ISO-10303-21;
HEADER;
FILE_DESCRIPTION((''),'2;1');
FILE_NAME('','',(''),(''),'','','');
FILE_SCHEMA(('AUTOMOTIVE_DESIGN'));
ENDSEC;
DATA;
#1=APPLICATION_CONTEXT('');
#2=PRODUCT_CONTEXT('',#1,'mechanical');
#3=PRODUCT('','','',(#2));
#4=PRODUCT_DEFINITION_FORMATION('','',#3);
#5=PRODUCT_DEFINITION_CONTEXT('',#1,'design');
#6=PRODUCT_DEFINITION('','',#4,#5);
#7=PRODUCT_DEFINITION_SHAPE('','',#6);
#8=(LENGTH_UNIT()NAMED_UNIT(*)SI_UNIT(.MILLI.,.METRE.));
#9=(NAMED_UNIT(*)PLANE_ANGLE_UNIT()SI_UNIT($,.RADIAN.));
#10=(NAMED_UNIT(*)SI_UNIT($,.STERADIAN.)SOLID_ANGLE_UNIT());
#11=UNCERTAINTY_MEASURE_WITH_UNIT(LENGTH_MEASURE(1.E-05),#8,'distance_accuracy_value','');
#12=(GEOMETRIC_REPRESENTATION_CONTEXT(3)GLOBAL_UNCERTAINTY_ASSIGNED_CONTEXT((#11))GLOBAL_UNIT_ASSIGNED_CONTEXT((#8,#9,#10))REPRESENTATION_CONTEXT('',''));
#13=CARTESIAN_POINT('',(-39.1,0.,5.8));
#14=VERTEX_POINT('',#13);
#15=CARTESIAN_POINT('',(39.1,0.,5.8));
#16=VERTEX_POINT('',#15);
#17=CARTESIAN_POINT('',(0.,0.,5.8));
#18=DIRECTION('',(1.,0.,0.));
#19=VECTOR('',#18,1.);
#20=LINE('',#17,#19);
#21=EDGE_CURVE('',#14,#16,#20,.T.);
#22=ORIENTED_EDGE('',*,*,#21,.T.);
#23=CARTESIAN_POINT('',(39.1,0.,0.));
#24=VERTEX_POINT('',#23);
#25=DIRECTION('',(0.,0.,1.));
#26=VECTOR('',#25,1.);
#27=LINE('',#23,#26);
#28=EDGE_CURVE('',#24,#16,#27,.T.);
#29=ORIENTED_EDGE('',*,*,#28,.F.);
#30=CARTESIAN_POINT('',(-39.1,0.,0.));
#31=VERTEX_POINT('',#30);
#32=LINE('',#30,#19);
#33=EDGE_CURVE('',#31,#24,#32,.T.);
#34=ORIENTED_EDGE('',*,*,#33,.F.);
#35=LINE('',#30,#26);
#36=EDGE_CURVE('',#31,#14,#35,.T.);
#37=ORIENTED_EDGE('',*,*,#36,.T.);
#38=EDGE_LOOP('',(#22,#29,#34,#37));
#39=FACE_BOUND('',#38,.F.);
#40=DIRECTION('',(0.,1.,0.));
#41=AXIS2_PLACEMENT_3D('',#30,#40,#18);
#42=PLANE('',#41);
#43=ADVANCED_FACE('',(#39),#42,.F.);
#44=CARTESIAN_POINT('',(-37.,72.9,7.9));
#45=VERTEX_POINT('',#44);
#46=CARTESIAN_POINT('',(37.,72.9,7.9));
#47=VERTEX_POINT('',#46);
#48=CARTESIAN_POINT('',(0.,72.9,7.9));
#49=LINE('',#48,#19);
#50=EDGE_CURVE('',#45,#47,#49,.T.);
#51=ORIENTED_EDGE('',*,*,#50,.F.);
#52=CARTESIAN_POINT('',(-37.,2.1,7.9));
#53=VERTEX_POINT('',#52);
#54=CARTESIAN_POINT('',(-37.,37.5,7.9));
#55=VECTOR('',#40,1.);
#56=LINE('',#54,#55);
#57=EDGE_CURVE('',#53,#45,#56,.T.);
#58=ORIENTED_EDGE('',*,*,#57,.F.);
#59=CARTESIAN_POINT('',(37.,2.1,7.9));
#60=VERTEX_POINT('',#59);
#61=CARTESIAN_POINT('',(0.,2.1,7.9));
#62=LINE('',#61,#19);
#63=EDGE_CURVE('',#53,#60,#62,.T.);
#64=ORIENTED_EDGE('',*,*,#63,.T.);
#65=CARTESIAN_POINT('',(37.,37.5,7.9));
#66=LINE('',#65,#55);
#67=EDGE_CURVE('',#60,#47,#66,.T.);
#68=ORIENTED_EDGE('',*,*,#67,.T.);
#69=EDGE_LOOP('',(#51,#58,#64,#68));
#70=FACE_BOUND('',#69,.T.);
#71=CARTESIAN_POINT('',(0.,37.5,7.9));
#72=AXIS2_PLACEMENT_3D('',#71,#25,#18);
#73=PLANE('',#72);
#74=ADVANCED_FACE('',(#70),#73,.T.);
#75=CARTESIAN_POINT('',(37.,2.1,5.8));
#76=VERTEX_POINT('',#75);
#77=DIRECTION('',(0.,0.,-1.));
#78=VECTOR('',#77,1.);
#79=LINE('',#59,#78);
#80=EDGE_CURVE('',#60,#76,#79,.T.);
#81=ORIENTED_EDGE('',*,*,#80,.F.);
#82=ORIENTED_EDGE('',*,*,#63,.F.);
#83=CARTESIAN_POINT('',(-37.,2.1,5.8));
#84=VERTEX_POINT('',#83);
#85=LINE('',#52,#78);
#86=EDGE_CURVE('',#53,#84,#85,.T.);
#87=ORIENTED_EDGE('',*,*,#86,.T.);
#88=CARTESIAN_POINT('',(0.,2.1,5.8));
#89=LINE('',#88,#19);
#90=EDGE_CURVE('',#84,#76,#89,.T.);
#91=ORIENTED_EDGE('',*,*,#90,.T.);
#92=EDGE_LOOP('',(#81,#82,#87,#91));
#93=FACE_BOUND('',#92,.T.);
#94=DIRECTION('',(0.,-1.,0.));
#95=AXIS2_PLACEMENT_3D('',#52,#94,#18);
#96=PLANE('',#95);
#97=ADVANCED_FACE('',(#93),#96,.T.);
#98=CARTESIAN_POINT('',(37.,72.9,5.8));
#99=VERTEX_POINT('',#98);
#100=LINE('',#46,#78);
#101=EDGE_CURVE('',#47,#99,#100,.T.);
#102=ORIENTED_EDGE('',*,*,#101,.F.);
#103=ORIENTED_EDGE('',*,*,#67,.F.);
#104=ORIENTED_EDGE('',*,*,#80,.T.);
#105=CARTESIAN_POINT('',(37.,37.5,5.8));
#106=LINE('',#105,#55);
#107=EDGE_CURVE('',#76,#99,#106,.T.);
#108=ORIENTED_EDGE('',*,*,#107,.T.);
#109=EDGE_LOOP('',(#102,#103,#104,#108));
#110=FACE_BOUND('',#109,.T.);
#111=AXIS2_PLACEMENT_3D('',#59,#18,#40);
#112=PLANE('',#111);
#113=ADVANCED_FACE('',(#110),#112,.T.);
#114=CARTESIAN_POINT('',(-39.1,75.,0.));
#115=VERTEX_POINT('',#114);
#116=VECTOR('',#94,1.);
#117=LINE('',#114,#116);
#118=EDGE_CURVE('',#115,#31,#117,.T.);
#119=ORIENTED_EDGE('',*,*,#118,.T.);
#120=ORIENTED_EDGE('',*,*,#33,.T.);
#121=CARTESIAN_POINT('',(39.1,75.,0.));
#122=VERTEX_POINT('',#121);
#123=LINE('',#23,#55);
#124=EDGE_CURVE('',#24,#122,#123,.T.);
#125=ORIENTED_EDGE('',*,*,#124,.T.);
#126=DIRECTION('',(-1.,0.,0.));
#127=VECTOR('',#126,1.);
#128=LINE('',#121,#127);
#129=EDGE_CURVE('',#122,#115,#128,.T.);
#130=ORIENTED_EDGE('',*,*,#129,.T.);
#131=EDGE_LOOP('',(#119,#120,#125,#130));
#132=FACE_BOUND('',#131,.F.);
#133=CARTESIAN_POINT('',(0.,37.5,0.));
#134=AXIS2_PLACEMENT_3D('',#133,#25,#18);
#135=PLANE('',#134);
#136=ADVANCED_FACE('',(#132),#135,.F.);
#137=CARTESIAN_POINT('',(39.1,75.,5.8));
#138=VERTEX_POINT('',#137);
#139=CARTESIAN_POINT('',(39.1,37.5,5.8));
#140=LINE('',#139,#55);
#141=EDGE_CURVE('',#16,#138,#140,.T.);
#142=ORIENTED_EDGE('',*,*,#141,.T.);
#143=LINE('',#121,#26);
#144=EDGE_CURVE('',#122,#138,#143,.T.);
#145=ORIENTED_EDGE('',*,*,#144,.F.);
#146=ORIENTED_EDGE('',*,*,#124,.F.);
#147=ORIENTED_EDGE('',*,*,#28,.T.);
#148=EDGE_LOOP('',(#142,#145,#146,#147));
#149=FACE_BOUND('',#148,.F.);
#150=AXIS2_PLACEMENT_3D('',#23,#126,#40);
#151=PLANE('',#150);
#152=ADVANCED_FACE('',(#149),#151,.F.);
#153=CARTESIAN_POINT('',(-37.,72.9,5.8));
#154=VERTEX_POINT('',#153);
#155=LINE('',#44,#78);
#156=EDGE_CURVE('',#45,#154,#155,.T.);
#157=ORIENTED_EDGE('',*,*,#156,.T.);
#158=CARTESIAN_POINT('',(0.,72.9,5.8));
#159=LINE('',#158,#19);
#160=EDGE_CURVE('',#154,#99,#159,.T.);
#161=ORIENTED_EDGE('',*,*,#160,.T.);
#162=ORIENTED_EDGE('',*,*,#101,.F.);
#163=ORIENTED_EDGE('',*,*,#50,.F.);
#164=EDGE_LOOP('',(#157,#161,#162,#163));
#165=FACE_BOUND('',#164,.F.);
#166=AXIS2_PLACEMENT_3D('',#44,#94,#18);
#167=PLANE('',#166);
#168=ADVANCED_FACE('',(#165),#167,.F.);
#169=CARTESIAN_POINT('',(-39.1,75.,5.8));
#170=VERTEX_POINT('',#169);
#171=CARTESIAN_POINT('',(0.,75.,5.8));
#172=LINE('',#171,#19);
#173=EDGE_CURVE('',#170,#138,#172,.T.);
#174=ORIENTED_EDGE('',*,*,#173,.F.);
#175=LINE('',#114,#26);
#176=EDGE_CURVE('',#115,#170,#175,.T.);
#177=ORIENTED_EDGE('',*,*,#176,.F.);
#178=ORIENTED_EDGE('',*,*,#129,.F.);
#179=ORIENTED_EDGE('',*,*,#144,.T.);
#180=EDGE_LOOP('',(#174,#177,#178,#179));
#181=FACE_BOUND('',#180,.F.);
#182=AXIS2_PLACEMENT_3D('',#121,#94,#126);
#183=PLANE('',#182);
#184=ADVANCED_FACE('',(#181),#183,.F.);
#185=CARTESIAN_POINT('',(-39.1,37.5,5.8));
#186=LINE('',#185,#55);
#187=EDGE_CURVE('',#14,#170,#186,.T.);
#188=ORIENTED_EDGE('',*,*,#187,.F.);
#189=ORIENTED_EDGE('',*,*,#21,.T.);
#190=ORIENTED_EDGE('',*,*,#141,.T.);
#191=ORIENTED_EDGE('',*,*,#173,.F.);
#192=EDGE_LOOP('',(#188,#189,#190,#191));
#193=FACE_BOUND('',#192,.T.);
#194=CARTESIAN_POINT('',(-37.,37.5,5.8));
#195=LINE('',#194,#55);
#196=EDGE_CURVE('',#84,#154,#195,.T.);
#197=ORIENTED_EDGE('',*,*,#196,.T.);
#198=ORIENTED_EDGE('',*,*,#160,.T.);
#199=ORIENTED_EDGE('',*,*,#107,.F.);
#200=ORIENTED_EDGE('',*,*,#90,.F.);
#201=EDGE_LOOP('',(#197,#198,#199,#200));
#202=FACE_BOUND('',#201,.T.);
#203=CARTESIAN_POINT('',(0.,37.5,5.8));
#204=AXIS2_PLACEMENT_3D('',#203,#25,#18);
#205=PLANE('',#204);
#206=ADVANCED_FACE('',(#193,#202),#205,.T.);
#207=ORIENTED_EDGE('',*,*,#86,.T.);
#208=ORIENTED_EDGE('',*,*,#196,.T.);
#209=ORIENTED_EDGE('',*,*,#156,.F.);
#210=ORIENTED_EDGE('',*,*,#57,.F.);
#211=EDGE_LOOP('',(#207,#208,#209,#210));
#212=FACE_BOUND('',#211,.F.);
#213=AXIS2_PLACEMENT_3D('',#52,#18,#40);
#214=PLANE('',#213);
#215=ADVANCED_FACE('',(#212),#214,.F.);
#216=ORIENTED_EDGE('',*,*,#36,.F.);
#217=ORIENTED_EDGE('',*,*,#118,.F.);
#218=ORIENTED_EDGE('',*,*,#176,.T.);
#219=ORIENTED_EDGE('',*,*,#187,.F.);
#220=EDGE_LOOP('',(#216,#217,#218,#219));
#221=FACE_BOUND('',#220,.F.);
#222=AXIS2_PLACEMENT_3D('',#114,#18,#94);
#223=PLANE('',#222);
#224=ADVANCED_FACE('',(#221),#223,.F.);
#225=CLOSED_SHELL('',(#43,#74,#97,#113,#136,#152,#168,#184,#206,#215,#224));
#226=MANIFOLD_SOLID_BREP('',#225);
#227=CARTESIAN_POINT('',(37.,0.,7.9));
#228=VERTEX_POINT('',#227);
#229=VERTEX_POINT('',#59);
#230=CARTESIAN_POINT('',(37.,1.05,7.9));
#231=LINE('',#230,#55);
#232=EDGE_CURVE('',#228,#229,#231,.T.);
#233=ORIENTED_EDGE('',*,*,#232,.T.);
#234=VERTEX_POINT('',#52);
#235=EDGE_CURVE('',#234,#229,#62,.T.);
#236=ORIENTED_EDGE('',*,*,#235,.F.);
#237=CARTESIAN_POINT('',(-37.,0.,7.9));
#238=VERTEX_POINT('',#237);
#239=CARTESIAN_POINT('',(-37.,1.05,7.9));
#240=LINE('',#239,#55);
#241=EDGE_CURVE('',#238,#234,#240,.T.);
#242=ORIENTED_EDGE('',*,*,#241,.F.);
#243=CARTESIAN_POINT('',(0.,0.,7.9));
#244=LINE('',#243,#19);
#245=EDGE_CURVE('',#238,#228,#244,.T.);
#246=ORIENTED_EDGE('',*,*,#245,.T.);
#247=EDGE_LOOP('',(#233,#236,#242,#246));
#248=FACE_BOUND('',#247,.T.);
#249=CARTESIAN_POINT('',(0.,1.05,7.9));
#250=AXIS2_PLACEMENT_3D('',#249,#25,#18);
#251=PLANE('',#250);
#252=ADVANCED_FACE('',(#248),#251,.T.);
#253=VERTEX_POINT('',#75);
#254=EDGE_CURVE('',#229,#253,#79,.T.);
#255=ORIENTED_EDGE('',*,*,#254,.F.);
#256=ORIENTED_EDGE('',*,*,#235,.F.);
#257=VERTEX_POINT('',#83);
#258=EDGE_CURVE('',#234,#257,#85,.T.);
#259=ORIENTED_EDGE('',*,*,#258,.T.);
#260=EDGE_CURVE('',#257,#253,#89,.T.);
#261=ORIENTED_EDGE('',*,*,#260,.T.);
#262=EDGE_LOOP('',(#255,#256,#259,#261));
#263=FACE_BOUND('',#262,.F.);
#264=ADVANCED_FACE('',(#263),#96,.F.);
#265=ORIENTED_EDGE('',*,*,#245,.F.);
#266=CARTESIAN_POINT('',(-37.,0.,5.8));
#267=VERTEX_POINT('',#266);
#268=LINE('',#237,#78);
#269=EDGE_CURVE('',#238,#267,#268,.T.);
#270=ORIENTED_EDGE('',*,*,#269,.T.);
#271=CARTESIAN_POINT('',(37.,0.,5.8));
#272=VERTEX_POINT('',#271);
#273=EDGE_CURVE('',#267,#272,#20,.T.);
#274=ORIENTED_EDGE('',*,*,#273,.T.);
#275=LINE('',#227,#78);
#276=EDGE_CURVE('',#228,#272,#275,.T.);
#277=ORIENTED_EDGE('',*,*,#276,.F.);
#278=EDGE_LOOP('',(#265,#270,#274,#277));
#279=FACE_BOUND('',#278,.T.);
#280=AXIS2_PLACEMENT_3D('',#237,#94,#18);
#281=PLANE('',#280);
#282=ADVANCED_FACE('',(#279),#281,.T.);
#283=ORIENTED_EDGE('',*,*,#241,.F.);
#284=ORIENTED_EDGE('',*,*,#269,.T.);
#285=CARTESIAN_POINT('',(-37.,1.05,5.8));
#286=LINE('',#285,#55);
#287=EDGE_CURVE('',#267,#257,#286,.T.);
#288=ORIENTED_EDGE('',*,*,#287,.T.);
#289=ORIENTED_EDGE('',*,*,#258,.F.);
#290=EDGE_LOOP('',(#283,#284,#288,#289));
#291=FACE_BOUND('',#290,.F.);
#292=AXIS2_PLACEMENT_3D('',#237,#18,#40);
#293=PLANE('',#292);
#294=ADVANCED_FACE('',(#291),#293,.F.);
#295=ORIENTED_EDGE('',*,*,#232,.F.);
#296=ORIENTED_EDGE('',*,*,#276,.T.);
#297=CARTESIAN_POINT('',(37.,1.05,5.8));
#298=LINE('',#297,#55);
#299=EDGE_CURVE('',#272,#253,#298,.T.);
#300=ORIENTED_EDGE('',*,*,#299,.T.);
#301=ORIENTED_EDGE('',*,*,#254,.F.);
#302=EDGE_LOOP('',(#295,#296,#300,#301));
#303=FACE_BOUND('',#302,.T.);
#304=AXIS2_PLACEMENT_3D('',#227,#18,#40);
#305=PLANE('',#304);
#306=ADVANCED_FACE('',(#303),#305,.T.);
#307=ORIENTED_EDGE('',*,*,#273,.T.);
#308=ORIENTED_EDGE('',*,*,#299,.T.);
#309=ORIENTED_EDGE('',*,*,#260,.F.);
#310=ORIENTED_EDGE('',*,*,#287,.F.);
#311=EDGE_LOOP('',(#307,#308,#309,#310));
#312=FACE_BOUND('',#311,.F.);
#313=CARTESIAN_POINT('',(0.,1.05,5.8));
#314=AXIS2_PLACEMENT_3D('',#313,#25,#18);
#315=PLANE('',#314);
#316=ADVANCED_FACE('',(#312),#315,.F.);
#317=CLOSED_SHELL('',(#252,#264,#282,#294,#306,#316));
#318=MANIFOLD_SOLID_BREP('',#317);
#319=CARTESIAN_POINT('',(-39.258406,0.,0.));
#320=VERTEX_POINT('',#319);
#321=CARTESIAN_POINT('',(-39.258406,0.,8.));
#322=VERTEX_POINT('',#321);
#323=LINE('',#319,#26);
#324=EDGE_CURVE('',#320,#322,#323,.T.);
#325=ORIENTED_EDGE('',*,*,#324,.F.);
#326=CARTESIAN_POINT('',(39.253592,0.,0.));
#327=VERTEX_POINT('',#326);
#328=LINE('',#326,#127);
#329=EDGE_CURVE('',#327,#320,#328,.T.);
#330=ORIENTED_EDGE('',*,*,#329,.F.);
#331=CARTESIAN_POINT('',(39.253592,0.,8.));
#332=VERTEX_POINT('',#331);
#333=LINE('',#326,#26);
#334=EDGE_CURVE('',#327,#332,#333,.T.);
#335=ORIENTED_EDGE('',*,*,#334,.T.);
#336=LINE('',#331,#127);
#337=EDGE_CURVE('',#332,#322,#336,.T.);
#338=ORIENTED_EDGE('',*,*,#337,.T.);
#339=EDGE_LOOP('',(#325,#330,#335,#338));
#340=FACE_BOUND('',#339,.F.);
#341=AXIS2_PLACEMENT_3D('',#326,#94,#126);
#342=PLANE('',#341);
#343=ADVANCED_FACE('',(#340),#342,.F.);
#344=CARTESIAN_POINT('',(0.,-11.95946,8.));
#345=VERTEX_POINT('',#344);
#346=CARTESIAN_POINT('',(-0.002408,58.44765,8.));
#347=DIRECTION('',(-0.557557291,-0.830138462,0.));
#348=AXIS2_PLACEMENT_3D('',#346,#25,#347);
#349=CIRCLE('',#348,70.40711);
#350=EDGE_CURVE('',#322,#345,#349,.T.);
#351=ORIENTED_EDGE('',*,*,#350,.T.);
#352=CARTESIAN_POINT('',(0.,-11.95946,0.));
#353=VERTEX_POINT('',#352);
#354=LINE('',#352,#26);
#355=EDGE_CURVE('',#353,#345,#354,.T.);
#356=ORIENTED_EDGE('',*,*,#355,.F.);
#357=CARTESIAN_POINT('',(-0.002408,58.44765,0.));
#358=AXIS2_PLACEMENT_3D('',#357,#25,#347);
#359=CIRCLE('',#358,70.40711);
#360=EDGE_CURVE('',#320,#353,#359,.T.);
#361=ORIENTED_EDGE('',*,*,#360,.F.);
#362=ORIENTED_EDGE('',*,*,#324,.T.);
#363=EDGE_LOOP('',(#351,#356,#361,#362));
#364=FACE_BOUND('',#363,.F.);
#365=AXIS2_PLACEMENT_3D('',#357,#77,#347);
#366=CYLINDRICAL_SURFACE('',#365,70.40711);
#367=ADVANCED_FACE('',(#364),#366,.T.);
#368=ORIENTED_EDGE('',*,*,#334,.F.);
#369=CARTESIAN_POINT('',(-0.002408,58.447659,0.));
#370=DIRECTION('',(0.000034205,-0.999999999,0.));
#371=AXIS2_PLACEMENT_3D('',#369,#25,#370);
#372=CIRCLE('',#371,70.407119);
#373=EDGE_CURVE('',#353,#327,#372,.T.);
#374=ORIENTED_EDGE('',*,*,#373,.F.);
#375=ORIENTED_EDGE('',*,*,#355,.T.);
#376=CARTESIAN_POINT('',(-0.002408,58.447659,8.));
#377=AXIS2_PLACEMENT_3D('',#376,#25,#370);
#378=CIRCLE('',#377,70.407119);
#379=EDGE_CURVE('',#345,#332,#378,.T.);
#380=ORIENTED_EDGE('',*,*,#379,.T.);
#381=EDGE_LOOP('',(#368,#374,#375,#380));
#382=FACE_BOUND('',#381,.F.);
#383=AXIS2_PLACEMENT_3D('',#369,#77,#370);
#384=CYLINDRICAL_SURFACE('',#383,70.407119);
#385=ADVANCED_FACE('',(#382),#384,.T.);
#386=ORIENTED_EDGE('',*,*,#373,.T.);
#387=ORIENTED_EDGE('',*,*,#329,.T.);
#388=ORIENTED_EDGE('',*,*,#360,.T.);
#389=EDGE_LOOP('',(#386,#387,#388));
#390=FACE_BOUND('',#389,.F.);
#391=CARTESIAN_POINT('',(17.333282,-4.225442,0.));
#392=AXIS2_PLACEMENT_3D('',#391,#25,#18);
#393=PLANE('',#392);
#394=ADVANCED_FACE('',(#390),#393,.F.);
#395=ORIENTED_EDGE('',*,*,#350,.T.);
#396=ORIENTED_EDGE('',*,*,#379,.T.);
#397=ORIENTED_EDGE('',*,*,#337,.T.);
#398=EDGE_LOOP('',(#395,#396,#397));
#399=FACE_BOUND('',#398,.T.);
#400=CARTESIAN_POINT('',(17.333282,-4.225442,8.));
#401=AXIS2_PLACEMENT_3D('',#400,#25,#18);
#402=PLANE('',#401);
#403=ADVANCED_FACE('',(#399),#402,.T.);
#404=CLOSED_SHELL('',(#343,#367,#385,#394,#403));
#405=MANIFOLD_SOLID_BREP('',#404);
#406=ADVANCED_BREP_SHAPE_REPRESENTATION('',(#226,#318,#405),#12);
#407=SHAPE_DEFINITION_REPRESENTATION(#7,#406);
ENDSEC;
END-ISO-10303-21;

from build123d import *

# Parameters (mm, degrees)
F1_DEPTH = 7.9
F2_W     = 78.2
F2_H     = 75
F2_W_2   = 74
F2_H_2   = 70.8
F3_DEPTH = 2.1
F4_W     = 74
F4_H     = 2.1
F5_DEPTH = 2.1
F7_DEPTH = 8


with BuildPart() as f1:
    # F0 (on Top) → F1 (new body)
    with BuildSketch(Plane.XY):
        Polygon((-39.1, 0), (0, 0), (39.1, 0), (39.1, 75), (0, 75), (-39.1, 75), align=None)
    extrude(amount=F1_DEPTH)

    # F2 (on face) → F3 (cut)
    with BuildSketch(Plane.XY.offset(7.9)):
        with Locations((0, 37.5)):
            Rectangle(F2_W, F2_H)
        with Locations((0, 37.5)):
            Rectangle(F2_W_2, F2_H_2, mode=Mode.SUBTRACT)
    extrude(amount=-F3_DEPTH, mode=Mode.SUBTRACT)


with BuildPart() as f5:
    # F4 (on face) → F5 (new body)
    with BuildSketch(Plane.XY.offset(7.9)):
        with Locations((0, 1.05)):
            Rectangle(F4_W, F4_H)
    extrude(amount=-F5_DEPTH)


with BuildPart() as f7:
    # F6 (on Top) → F7 (new body)
    with BuildSketch(Plane.XY):
        with BuildLine():
            Line((39.253592, 0), (0, 0))
            Line((0, 0), (0, -11.95946))
            ThreePointArc((0, -11.95946), (20.517408, -8.902913), (39.253592, 0))
        make_face()
        with BuildLine():
            Line((0, -11.95946), (0, 0))
            Line((0, 0), (-39.258406, 0))
            ThreePointArc((-39.258406, 0), (-20.519919, -8.903615), (0, -11.95946))
        make_face()
    extrude(amount=F7_DEPTH)


solid = Compound([f1.part, f5.part, f7.part])
